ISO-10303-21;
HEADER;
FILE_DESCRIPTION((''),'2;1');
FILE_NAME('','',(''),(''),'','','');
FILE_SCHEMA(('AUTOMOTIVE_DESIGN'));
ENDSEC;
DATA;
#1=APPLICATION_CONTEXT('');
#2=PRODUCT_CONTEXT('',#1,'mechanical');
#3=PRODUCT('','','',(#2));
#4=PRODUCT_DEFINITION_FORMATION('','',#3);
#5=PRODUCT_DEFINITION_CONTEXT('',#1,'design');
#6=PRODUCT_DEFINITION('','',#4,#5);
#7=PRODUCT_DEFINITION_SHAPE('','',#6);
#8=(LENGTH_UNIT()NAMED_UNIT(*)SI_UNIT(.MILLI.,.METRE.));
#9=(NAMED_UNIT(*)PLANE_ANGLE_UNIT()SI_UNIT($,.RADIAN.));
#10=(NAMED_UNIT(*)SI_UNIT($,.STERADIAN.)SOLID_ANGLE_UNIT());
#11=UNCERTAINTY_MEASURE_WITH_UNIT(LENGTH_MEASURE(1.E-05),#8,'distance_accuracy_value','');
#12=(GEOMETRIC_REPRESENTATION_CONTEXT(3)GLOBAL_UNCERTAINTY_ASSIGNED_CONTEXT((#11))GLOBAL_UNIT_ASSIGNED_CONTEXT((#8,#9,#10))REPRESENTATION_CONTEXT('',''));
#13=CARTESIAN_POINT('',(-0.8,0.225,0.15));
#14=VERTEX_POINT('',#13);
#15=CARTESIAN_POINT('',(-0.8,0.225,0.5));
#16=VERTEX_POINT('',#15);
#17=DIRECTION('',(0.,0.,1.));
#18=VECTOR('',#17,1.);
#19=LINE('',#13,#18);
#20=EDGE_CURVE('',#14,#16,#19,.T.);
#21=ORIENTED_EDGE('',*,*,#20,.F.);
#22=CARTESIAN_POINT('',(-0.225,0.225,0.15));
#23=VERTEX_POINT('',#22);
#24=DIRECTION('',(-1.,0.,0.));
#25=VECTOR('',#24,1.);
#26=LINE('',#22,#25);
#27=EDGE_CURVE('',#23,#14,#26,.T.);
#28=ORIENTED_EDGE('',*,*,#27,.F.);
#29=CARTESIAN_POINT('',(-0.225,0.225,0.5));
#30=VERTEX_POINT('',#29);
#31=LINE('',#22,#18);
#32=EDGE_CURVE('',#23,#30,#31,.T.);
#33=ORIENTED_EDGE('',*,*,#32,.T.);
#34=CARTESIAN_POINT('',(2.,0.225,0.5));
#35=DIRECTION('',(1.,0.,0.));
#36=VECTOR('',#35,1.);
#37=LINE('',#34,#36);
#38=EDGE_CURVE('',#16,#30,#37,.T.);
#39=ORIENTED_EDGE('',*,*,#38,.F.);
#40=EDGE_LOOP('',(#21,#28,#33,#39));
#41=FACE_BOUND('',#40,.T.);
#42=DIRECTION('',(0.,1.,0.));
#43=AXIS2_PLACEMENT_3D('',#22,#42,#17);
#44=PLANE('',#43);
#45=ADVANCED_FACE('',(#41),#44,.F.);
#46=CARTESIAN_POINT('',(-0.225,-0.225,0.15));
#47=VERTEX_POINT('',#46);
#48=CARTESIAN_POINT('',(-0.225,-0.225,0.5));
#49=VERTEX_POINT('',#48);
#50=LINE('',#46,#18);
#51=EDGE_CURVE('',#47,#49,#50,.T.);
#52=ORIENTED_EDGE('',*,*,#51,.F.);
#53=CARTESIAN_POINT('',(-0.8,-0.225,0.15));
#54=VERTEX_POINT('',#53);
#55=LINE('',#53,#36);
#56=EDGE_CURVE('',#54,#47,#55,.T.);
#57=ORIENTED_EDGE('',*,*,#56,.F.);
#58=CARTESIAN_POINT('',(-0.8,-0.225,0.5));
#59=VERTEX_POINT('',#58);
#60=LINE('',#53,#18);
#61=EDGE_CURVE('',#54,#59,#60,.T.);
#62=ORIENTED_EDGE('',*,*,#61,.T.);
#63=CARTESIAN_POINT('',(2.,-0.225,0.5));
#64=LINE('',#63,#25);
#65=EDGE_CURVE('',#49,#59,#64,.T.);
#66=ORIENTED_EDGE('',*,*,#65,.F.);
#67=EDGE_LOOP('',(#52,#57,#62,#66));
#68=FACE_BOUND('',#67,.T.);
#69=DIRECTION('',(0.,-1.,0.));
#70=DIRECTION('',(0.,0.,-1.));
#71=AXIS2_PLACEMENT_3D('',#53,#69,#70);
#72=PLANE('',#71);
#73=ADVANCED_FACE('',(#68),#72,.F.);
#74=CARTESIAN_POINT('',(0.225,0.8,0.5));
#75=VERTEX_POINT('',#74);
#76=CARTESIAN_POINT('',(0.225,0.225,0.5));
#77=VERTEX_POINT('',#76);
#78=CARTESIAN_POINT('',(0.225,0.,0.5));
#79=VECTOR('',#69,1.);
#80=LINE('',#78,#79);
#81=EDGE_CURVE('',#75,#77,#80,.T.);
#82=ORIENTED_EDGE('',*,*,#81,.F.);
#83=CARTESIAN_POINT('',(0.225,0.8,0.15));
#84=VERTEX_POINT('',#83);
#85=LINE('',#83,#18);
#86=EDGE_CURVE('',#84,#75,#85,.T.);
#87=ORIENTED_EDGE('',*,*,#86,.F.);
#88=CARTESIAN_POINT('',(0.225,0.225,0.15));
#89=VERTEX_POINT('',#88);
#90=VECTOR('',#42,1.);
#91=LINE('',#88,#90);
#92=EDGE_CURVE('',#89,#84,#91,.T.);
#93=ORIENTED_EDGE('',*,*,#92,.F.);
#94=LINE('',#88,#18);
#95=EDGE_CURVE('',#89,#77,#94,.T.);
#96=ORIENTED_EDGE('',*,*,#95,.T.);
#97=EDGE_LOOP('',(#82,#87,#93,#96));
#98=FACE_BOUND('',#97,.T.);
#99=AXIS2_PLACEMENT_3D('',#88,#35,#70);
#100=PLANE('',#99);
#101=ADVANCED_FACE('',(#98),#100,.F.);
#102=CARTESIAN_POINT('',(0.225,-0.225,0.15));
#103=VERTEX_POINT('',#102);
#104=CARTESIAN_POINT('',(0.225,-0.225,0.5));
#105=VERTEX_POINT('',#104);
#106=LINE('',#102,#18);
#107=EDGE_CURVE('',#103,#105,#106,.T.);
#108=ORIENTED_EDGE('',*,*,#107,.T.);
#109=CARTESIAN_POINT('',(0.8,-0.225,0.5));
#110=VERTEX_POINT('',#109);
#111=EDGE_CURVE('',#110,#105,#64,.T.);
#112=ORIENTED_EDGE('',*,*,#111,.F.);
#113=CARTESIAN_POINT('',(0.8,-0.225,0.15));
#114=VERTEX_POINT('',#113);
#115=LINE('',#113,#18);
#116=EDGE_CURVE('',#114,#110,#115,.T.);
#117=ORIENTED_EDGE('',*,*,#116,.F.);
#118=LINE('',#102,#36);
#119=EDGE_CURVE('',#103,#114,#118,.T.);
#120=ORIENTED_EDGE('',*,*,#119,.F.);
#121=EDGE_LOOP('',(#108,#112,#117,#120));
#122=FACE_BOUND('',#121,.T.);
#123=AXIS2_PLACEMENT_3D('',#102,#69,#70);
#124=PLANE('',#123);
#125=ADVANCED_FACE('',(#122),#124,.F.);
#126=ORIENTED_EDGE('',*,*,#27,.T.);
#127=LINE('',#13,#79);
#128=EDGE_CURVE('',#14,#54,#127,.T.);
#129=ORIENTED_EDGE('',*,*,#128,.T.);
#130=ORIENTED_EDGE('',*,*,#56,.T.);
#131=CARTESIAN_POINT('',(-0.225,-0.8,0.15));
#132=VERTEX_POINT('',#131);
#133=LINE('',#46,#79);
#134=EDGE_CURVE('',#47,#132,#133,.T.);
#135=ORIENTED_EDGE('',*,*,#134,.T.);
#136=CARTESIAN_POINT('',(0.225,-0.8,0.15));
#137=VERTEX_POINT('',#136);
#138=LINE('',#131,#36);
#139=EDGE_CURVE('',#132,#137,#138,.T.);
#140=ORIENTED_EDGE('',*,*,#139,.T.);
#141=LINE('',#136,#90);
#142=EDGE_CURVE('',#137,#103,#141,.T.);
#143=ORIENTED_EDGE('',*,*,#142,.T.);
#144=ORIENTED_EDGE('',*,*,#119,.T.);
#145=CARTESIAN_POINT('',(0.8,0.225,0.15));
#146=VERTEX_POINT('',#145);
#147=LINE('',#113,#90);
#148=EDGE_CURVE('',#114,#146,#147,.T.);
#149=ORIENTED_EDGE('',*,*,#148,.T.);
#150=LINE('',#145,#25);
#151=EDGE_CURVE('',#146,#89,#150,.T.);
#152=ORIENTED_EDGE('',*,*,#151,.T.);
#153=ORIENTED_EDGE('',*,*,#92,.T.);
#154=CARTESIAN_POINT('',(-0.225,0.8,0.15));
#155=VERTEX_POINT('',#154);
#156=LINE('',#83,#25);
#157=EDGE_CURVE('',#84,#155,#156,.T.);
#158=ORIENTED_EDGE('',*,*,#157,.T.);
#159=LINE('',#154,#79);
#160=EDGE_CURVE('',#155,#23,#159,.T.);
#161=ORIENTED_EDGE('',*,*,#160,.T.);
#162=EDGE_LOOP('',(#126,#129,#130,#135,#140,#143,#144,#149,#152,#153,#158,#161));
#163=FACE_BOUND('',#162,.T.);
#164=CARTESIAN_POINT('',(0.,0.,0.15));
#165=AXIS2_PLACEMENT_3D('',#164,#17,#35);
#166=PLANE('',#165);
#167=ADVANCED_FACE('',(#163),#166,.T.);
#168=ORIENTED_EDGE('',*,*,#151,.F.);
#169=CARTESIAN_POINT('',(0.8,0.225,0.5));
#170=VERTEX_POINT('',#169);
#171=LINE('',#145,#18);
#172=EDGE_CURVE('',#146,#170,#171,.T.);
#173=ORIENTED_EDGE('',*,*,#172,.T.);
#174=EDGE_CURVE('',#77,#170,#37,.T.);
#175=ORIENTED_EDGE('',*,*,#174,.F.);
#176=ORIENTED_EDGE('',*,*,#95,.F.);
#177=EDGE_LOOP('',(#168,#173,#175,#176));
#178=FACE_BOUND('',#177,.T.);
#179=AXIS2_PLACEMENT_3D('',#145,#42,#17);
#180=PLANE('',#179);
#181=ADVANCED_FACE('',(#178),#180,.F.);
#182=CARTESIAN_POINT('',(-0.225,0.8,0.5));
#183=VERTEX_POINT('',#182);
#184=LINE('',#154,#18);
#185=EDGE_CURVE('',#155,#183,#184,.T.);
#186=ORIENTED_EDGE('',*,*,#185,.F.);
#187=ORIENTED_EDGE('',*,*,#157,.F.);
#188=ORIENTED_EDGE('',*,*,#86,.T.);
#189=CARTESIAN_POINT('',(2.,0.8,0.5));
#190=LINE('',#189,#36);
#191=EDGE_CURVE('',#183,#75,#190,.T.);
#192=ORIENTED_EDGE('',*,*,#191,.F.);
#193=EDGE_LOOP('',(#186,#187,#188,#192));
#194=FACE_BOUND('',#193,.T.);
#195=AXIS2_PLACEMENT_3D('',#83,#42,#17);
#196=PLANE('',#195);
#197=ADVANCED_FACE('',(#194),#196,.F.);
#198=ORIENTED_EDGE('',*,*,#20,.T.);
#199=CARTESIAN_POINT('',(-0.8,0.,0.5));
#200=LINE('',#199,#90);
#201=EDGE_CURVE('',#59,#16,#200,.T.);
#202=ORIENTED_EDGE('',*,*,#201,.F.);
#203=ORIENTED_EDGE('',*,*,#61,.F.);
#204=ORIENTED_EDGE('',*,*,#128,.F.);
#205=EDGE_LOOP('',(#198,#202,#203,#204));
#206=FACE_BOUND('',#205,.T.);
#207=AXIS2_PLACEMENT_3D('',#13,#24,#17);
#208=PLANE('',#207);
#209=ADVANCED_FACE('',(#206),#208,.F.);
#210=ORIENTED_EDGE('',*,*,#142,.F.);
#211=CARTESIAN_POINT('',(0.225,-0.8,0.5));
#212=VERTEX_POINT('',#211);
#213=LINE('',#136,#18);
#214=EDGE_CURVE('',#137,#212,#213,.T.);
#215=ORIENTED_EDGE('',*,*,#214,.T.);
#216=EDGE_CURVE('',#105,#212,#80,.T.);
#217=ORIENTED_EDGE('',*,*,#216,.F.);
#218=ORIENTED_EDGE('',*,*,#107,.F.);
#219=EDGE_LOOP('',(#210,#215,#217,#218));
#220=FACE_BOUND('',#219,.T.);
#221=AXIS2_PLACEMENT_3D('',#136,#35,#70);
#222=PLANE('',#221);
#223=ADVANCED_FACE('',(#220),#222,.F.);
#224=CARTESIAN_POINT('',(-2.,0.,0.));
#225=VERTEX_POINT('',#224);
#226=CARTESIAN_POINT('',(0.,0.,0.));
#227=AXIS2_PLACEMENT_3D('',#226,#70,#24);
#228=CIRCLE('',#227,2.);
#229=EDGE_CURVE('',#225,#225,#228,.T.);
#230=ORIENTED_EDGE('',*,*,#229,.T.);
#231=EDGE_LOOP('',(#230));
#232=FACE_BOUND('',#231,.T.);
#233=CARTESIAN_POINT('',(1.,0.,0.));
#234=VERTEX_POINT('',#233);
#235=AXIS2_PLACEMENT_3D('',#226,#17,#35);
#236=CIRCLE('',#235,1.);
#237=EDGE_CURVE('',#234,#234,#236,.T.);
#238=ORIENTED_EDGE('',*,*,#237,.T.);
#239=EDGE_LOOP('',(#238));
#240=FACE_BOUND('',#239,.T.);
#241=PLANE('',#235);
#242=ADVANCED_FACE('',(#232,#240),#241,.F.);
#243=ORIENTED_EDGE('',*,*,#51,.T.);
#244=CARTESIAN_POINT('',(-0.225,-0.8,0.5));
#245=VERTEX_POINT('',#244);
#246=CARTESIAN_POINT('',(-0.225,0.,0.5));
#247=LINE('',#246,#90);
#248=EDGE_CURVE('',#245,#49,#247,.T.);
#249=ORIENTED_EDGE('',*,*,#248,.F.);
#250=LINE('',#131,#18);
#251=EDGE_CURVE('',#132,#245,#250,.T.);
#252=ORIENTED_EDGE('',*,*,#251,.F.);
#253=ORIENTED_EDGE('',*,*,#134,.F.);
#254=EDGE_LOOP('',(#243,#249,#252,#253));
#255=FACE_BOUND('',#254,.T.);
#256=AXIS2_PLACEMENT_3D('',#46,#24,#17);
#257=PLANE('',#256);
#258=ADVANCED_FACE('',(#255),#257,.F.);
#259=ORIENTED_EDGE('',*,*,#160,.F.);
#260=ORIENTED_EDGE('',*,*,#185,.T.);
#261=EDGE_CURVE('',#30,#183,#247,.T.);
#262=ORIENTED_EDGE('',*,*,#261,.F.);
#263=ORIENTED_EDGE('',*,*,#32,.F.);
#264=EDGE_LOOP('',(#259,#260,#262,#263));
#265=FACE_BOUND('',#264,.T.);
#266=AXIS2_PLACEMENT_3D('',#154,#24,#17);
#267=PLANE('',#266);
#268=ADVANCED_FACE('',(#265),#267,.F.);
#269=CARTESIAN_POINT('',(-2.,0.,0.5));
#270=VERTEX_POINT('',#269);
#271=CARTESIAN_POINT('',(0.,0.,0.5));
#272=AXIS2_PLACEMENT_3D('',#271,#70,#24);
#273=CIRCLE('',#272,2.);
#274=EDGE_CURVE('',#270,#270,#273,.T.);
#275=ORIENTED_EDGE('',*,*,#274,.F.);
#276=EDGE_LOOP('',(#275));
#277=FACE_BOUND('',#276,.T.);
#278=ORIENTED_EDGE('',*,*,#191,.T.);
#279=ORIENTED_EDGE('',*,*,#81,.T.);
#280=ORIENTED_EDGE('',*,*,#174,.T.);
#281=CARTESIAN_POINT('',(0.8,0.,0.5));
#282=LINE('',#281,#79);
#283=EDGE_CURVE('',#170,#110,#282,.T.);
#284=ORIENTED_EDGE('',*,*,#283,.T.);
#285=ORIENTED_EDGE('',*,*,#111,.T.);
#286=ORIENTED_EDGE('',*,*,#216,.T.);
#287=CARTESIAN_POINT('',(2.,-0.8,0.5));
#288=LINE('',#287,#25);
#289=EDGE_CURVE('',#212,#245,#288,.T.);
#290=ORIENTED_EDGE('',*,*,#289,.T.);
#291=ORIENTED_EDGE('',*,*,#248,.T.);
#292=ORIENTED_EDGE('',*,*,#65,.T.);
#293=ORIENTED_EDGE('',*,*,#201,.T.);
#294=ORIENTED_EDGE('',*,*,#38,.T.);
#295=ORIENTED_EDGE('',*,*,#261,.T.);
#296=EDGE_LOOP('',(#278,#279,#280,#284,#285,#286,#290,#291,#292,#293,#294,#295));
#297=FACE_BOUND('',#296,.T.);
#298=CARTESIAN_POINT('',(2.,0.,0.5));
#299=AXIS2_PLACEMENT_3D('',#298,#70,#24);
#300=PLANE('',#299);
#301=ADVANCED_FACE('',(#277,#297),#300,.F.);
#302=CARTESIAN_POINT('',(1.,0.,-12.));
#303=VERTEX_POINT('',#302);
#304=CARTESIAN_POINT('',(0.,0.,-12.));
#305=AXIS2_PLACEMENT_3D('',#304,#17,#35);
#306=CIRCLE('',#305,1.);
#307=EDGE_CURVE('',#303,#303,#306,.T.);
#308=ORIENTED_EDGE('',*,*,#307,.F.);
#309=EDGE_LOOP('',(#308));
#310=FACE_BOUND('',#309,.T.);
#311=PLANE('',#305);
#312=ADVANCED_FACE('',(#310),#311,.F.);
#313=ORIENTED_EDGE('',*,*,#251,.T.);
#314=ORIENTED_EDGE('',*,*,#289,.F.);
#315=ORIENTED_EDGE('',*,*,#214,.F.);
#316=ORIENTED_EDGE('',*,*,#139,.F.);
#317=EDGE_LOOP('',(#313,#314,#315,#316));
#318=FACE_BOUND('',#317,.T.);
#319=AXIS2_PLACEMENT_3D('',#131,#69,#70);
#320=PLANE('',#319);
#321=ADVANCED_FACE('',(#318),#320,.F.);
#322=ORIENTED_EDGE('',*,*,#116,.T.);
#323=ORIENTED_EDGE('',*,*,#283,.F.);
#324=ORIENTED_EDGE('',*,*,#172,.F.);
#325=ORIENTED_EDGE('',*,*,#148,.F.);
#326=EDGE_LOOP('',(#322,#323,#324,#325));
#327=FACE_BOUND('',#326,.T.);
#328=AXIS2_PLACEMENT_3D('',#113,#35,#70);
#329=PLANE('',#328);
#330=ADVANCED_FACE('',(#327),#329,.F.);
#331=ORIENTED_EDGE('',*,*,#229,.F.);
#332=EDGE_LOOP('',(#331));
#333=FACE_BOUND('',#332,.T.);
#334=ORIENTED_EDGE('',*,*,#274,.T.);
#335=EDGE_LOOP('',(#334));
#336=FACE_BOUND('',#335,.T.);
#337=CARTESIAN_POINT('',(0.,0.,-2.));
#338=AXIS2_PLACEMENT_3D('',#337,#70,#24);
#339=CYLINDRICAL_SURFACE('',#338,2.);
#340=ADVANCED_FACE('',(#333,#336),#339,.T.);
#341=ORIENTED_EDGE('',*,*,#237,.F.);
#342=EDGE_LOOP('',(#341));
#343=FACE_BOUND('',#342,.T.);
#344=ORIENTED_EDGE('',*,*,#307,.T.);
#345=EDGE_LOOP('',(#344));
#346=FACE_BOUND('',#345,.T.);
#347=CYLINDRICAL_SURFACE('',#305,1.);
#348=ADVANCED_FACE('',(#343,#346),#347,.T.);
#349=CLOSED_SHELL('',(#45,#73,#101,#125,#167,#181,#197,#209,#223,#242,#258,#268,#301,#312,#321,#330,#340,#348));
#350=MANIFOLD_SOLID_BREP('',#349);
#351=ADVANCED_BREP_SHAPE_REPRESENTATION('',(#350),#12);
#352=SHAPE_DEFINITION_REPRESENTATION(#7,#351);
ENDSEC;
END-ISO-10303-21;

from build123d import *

# Parameters (mm, degrees)
SKETCH_1_R        = 1
EXTRUDE_198_DEPTH = 12
SKETCH_8_W        = 2
SKETCH_8_H        = 0.5
PH0_START         = 0.51
PH0_DEPTH         = 0.36


with BuildPart() as part:
    # 草图1 → Extrude 198 (new body)
    with BuildSketch(Plane.XY):
        Circle(SKETCH_1_R)
    extrude(amount=-EXTRUDE_198_DEPTH)

    # 草图8 → Revolve 375 (revolve)
    with BuildSketch(Plane(origin=(0, 0, 0), x_dir=(1, 0, 0), z_dir=(0, 1, 0)), mode=Mode.PRIVATE) as revolve_375_sk:
        with Locations((1, -0.25)):
            Rectangle(SKETCH_8_W, SKETCH_8_H)
    revolve(revolve_375_sk.sketch.rotate(Axis((0, 0, -2), (0, 0, 1)), 180), axis=Axis((0, 0, -2), (0, 0, 1)))

    # 草图9 → 十字槽_PH0_简化 (cut)
    with BuildSketch(Plane.XY.offset(PH0_START)):
        Polygon((-0.225, -0.8), (0.225, -0.8), (0.225, -0.225), (0.8, -0.225), (0.8, 0.225), (0.225, 0.225), (0.225, 0.8), (-0.225, 0.8), (-0.225, 0.225), (-0.8, 0.225), (-0.8, -0.225), (-0.225, -0.225), align=None)
    extrude(amount=-PH0_DEPTH, mode=Mode.SUBTRACT)


solid = part.part
